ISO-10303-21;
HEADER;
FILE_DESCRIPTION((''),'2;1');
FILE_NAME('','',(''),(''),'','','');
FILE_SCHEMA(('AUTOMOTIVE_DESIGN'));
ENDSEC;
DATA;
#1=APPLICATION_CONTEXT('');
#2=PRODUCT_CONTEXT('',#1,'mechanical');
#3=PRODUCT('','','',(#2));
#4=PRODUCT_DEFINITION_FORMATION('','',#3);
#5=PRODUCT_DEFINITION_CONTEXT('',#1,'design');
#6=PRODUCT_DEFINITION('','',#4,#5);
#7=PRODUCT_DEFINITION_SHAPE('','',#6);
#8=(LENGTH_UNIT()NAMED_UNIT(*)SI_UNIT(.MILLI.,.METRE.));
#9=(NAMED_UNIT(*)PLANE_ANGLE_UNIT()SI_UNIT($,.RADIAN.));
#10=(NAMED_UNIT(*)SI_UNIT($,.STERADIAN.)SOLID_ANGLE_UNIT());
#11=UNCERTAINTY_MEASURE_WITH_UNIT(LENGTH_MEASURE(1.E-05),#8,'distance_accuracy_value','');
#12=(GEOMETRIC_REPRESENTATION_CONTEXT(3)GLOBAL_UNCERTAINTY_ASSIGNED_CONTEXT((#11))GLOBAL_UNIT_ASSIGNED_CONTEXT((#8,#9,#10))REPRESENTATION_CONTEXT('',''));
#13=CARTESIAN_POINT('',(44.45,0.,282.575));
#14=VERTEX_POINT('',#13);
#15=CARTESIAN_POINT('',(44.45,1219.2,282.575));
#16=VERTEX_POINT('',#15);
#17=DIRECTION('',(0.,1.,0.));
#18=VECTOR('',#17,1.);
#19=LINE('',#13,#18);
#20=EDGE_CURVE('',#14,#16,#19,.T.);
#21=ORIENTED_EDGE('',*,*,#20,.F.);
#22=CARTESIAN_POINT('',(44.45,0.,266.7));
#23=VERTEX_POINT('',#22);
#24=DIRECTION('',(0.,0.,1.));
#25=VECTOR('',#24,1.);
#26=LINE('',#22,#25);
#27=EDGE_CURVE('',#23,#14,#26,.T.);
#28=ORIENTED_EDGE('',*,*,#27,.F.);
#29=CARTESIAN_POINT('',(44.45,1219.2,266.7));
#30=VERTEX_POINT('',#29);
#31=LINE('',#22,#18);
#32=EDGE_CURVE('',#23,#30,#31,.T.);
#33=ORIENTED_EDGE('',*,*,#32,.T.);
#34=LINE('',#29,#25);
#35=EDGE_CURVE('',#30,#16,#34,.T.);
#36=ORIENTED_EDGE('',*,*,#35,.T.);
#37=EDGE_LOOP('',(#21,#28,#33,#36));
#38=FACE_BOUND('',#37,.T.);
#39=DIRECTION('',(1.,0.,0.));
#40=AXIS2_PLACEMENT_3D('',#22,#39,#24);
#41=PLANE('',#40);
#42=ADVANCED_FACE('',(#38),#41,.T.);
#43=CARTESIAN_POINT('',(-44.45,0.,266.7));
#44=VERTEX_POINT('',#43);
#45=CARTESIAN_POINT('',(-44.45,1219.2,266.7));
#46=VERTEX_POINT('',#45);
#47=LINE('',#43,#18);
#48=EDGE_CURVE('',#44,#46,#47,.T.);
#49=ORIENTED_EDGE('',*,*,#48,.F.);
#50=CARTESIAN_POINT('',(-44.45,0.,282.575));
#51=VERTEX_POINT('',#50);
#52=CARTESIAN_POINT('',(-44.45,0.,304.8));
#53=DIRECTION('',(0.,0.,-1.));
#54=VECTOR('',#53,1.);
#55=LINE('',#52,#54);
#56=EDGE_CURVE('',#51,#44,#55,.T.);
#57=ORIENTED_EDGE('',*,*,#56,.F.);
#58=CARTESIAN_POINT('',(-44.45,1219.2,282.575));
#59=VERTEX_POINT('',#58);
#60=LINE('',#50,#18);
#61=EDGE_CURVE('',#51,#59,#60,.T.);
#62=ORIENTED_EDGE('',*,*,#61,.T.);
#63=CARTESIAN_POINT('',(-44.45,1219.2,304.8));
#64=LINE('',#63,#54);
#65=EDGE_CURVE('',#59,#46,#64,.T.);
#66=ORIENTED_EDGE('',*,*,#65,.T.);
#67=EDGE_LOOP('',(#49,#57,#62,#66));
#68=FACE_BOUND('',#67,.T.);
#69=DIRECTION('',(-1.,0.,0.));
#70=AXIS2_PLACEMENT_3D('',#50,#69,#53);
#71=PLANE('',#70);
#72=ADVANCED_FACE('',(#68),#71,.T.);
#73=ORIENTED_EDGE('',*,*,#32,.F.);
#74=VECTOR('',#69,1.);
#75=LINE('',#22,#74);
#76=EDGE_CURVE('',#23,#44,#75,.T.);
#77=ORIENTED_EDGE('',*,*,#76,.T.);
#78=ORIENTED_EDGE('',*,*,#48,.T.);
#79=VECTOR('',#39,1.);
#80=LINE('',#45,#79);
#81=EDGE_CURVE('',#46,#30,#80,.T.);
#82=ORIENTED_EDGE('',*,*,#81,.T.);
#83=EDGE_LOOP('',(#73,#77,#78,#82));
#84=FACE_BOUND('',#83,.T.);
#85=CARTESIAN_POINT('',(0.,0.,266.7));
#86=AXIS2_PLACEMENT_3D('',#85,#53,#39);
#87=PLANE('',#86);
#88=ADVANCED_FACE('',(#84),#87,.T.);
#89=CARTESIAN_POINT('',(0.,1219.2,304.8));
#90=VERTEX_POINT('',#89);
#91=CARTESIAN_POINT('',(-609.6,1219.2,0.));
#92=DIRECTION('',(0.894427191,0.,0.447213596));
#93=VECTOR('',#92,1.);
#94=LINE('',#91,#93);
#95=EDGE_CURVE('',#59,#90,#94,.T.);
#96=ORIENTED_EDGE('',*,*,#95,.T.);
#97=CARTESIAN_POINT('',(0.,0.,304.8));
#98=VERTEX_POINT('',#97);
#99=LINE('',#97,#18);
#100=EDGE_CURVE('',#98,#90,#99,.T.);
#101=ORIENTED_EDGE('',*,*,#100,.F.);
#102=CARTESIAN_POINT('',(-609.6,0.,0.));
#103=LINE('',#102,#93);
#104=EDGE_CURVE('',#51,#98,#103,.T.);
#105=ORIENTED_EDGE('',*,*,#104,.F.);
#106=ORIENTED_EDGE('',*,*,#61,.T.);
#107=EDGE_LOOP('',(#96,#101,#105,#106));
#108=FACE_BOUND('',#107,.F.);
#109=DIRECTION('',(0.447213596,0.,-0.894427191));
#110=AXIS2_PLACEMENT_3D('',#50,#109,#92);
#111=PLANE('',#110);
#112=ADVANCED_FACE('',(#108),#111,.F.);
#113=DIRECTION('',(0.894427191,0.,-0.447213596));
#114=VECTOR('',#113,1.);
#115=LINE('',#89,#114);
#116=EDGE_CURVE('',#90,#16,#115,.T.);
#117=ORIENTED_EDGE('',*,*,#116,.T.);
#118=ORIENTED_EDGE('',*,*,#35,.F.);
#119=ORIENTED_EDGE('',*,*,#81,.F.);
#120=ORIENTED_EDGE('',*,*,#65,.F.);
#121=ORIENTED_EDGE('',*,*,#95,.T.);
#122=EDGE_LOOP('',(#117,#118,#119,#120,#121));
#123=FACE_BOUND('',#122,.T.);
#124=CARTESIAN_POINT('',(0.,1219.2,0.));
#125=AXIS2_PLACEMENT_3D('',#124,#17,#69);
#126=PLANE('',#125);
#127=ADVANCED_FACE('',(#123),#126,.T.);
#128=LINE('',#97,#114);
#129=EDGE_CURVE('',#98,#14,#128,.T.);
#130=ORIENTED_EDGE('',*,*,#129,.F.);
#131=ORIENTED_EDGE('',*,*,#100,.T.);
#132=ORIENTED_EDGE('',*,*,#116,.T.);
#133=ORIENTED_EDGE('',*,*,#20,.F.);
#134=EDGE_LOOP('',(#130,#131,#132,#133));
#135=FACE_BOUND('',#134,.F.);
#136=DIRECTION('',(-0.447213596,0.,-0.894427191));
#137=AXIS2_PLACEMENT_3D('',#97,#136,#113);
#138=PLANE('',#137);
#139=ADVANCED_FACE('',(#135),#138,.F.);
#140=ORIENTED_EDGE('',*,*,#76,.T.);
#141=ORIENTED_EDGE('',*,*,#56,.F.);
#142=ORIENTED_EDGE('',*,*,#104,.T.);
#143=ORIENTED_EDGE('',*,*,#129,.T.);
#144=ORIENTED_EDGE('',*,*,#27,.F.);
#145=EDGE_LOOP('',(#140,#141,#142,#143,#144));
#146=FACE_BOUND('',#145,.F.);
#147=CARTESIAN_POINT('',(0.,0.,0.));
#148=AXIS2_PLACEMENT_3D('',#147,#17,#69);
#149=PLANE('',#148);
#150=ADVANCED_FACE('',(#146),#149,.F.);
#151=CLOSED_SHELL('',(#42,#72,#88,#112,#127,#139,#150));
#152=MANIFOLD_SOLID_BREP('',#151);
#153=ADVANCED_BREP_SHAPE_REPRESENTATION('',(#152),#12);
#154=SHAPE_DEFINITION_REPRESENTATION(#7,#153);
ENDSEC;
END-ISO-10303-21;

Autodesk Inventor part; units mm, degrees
ref_plane "YZ Plane" through (0, 0, 0) normal (1, 0, 0) x (0, 1, 0)
ref_plane "XZ Plane" through (0, 0, 0) normal (0, 1, 0) x (-1, 0, 0)
ref_plane "XY Plane" through (0, 0, 0) normal (0, 0, 1) x (1, 0, 0)
sketch "Sketch1" plane through (0, 0, 0) normal (0, 1, 0) x (-1, 0, 0)
  line L0 (0, 0) -> (-609.6, 0)
  line L1 (-609.6, 0) -> (-914.4, 0)
  line L2 (-914.4, 0) -> (-914.4, 152.4)
  line L3 (-609.6, 0) -> (-914.4, 152.4)
  line L4 (0, 0) -> (0, 304.8)
  line L5 (0, 304.8) -> (-609.6, 0)
  line L6 (-914.4, 0) -> (-914.4, -762)
  line L7 (0, 0) -> (0, -1219.2)
  line L8 (0, -1219.2) -> (-609.6, -1219.2)
  line L9 (-609.6, -1219.2) -> (-914.4, -762)
  line L10 (-914.4, -762) -> (-840.4307, -712.6872)
  line L11 (-609.6, -1219.2) -> (-535.6307, -1169.8872)
  line L12 (0, -1219.2) -> (0, -1130.3)
  line L13 (0, -1130.3) -> (-609.6, -1130.3)
  line L14 (-609.6, -1130.3) -> (-609.6, -1219.2)
  line L15 (-914.4, -762) -> (-825.5, -762)
  line L16 (-825.5, -762) -> (-825.5, 0)
  line L17 (-840.4307, -712.6872) -> (-535.6307, -1169.8872)
  line L18 (-609.6, -1130.3) -> (-609.6, 0)
  line L19 (-825.5, -762) -> (-609.6, -762)
  line L20 (-914.4, 152.4) -> (-914.4, 63.5)
  line L21 (-914.4, 63.5) -> (-876.3, 63.5)
  line L22 (-876.3, 63.5) -> (-876.3, 152.4)
  line L23 (-876.3, 152.4) -> (-914.4, 152.4)
  line L24 (0, 0) -> (609.6, 0)
  line L25 (609.6, 0) -> (0, 304.8)
  line L26 (44.45, 304.8) -> (-44.45, 304.8)
  line L27 (44.45, 304.8) -> (44.45, 266.7)
  line L28 (44.45, 266.7) -> (-44.45, 266.7)
  line L29 (-44.45, 266.7) -> (-44.45, 304.8)
  point P0 (44.45, 282.575)
  point P1 (-44.45, 282.575)
  dimension "d0" = 609.6
  dimension "d1" = 304.8
  dimension "d2" = 152.4
  dimension "d3" = 304.8
  dimension "d4" = 762
  dimension "d5" = 1219.2
  dimension "d6" = 609.6
  dimension "d7" = 88.9
  dimension "d8" = 88.9
  dimension "d9" = 88.9
  dimension "d10" = 609.6
  dimension "d11" = 88.9
  dimension "d12" = 88.9
  dimension "d13" = 38.1
  dimension "d14" = 88.9
  dimension "d15" = 609.6
  dimension "d16" = 88.9
  dimension "d17" = 38.1
extrude "Extrusion1" add sketch "Sketch1" along normal blind 1219.2 contours L28 L29 L5 L4 | L4 L25 L27 L28
properties part number "S2_2x4x48"
